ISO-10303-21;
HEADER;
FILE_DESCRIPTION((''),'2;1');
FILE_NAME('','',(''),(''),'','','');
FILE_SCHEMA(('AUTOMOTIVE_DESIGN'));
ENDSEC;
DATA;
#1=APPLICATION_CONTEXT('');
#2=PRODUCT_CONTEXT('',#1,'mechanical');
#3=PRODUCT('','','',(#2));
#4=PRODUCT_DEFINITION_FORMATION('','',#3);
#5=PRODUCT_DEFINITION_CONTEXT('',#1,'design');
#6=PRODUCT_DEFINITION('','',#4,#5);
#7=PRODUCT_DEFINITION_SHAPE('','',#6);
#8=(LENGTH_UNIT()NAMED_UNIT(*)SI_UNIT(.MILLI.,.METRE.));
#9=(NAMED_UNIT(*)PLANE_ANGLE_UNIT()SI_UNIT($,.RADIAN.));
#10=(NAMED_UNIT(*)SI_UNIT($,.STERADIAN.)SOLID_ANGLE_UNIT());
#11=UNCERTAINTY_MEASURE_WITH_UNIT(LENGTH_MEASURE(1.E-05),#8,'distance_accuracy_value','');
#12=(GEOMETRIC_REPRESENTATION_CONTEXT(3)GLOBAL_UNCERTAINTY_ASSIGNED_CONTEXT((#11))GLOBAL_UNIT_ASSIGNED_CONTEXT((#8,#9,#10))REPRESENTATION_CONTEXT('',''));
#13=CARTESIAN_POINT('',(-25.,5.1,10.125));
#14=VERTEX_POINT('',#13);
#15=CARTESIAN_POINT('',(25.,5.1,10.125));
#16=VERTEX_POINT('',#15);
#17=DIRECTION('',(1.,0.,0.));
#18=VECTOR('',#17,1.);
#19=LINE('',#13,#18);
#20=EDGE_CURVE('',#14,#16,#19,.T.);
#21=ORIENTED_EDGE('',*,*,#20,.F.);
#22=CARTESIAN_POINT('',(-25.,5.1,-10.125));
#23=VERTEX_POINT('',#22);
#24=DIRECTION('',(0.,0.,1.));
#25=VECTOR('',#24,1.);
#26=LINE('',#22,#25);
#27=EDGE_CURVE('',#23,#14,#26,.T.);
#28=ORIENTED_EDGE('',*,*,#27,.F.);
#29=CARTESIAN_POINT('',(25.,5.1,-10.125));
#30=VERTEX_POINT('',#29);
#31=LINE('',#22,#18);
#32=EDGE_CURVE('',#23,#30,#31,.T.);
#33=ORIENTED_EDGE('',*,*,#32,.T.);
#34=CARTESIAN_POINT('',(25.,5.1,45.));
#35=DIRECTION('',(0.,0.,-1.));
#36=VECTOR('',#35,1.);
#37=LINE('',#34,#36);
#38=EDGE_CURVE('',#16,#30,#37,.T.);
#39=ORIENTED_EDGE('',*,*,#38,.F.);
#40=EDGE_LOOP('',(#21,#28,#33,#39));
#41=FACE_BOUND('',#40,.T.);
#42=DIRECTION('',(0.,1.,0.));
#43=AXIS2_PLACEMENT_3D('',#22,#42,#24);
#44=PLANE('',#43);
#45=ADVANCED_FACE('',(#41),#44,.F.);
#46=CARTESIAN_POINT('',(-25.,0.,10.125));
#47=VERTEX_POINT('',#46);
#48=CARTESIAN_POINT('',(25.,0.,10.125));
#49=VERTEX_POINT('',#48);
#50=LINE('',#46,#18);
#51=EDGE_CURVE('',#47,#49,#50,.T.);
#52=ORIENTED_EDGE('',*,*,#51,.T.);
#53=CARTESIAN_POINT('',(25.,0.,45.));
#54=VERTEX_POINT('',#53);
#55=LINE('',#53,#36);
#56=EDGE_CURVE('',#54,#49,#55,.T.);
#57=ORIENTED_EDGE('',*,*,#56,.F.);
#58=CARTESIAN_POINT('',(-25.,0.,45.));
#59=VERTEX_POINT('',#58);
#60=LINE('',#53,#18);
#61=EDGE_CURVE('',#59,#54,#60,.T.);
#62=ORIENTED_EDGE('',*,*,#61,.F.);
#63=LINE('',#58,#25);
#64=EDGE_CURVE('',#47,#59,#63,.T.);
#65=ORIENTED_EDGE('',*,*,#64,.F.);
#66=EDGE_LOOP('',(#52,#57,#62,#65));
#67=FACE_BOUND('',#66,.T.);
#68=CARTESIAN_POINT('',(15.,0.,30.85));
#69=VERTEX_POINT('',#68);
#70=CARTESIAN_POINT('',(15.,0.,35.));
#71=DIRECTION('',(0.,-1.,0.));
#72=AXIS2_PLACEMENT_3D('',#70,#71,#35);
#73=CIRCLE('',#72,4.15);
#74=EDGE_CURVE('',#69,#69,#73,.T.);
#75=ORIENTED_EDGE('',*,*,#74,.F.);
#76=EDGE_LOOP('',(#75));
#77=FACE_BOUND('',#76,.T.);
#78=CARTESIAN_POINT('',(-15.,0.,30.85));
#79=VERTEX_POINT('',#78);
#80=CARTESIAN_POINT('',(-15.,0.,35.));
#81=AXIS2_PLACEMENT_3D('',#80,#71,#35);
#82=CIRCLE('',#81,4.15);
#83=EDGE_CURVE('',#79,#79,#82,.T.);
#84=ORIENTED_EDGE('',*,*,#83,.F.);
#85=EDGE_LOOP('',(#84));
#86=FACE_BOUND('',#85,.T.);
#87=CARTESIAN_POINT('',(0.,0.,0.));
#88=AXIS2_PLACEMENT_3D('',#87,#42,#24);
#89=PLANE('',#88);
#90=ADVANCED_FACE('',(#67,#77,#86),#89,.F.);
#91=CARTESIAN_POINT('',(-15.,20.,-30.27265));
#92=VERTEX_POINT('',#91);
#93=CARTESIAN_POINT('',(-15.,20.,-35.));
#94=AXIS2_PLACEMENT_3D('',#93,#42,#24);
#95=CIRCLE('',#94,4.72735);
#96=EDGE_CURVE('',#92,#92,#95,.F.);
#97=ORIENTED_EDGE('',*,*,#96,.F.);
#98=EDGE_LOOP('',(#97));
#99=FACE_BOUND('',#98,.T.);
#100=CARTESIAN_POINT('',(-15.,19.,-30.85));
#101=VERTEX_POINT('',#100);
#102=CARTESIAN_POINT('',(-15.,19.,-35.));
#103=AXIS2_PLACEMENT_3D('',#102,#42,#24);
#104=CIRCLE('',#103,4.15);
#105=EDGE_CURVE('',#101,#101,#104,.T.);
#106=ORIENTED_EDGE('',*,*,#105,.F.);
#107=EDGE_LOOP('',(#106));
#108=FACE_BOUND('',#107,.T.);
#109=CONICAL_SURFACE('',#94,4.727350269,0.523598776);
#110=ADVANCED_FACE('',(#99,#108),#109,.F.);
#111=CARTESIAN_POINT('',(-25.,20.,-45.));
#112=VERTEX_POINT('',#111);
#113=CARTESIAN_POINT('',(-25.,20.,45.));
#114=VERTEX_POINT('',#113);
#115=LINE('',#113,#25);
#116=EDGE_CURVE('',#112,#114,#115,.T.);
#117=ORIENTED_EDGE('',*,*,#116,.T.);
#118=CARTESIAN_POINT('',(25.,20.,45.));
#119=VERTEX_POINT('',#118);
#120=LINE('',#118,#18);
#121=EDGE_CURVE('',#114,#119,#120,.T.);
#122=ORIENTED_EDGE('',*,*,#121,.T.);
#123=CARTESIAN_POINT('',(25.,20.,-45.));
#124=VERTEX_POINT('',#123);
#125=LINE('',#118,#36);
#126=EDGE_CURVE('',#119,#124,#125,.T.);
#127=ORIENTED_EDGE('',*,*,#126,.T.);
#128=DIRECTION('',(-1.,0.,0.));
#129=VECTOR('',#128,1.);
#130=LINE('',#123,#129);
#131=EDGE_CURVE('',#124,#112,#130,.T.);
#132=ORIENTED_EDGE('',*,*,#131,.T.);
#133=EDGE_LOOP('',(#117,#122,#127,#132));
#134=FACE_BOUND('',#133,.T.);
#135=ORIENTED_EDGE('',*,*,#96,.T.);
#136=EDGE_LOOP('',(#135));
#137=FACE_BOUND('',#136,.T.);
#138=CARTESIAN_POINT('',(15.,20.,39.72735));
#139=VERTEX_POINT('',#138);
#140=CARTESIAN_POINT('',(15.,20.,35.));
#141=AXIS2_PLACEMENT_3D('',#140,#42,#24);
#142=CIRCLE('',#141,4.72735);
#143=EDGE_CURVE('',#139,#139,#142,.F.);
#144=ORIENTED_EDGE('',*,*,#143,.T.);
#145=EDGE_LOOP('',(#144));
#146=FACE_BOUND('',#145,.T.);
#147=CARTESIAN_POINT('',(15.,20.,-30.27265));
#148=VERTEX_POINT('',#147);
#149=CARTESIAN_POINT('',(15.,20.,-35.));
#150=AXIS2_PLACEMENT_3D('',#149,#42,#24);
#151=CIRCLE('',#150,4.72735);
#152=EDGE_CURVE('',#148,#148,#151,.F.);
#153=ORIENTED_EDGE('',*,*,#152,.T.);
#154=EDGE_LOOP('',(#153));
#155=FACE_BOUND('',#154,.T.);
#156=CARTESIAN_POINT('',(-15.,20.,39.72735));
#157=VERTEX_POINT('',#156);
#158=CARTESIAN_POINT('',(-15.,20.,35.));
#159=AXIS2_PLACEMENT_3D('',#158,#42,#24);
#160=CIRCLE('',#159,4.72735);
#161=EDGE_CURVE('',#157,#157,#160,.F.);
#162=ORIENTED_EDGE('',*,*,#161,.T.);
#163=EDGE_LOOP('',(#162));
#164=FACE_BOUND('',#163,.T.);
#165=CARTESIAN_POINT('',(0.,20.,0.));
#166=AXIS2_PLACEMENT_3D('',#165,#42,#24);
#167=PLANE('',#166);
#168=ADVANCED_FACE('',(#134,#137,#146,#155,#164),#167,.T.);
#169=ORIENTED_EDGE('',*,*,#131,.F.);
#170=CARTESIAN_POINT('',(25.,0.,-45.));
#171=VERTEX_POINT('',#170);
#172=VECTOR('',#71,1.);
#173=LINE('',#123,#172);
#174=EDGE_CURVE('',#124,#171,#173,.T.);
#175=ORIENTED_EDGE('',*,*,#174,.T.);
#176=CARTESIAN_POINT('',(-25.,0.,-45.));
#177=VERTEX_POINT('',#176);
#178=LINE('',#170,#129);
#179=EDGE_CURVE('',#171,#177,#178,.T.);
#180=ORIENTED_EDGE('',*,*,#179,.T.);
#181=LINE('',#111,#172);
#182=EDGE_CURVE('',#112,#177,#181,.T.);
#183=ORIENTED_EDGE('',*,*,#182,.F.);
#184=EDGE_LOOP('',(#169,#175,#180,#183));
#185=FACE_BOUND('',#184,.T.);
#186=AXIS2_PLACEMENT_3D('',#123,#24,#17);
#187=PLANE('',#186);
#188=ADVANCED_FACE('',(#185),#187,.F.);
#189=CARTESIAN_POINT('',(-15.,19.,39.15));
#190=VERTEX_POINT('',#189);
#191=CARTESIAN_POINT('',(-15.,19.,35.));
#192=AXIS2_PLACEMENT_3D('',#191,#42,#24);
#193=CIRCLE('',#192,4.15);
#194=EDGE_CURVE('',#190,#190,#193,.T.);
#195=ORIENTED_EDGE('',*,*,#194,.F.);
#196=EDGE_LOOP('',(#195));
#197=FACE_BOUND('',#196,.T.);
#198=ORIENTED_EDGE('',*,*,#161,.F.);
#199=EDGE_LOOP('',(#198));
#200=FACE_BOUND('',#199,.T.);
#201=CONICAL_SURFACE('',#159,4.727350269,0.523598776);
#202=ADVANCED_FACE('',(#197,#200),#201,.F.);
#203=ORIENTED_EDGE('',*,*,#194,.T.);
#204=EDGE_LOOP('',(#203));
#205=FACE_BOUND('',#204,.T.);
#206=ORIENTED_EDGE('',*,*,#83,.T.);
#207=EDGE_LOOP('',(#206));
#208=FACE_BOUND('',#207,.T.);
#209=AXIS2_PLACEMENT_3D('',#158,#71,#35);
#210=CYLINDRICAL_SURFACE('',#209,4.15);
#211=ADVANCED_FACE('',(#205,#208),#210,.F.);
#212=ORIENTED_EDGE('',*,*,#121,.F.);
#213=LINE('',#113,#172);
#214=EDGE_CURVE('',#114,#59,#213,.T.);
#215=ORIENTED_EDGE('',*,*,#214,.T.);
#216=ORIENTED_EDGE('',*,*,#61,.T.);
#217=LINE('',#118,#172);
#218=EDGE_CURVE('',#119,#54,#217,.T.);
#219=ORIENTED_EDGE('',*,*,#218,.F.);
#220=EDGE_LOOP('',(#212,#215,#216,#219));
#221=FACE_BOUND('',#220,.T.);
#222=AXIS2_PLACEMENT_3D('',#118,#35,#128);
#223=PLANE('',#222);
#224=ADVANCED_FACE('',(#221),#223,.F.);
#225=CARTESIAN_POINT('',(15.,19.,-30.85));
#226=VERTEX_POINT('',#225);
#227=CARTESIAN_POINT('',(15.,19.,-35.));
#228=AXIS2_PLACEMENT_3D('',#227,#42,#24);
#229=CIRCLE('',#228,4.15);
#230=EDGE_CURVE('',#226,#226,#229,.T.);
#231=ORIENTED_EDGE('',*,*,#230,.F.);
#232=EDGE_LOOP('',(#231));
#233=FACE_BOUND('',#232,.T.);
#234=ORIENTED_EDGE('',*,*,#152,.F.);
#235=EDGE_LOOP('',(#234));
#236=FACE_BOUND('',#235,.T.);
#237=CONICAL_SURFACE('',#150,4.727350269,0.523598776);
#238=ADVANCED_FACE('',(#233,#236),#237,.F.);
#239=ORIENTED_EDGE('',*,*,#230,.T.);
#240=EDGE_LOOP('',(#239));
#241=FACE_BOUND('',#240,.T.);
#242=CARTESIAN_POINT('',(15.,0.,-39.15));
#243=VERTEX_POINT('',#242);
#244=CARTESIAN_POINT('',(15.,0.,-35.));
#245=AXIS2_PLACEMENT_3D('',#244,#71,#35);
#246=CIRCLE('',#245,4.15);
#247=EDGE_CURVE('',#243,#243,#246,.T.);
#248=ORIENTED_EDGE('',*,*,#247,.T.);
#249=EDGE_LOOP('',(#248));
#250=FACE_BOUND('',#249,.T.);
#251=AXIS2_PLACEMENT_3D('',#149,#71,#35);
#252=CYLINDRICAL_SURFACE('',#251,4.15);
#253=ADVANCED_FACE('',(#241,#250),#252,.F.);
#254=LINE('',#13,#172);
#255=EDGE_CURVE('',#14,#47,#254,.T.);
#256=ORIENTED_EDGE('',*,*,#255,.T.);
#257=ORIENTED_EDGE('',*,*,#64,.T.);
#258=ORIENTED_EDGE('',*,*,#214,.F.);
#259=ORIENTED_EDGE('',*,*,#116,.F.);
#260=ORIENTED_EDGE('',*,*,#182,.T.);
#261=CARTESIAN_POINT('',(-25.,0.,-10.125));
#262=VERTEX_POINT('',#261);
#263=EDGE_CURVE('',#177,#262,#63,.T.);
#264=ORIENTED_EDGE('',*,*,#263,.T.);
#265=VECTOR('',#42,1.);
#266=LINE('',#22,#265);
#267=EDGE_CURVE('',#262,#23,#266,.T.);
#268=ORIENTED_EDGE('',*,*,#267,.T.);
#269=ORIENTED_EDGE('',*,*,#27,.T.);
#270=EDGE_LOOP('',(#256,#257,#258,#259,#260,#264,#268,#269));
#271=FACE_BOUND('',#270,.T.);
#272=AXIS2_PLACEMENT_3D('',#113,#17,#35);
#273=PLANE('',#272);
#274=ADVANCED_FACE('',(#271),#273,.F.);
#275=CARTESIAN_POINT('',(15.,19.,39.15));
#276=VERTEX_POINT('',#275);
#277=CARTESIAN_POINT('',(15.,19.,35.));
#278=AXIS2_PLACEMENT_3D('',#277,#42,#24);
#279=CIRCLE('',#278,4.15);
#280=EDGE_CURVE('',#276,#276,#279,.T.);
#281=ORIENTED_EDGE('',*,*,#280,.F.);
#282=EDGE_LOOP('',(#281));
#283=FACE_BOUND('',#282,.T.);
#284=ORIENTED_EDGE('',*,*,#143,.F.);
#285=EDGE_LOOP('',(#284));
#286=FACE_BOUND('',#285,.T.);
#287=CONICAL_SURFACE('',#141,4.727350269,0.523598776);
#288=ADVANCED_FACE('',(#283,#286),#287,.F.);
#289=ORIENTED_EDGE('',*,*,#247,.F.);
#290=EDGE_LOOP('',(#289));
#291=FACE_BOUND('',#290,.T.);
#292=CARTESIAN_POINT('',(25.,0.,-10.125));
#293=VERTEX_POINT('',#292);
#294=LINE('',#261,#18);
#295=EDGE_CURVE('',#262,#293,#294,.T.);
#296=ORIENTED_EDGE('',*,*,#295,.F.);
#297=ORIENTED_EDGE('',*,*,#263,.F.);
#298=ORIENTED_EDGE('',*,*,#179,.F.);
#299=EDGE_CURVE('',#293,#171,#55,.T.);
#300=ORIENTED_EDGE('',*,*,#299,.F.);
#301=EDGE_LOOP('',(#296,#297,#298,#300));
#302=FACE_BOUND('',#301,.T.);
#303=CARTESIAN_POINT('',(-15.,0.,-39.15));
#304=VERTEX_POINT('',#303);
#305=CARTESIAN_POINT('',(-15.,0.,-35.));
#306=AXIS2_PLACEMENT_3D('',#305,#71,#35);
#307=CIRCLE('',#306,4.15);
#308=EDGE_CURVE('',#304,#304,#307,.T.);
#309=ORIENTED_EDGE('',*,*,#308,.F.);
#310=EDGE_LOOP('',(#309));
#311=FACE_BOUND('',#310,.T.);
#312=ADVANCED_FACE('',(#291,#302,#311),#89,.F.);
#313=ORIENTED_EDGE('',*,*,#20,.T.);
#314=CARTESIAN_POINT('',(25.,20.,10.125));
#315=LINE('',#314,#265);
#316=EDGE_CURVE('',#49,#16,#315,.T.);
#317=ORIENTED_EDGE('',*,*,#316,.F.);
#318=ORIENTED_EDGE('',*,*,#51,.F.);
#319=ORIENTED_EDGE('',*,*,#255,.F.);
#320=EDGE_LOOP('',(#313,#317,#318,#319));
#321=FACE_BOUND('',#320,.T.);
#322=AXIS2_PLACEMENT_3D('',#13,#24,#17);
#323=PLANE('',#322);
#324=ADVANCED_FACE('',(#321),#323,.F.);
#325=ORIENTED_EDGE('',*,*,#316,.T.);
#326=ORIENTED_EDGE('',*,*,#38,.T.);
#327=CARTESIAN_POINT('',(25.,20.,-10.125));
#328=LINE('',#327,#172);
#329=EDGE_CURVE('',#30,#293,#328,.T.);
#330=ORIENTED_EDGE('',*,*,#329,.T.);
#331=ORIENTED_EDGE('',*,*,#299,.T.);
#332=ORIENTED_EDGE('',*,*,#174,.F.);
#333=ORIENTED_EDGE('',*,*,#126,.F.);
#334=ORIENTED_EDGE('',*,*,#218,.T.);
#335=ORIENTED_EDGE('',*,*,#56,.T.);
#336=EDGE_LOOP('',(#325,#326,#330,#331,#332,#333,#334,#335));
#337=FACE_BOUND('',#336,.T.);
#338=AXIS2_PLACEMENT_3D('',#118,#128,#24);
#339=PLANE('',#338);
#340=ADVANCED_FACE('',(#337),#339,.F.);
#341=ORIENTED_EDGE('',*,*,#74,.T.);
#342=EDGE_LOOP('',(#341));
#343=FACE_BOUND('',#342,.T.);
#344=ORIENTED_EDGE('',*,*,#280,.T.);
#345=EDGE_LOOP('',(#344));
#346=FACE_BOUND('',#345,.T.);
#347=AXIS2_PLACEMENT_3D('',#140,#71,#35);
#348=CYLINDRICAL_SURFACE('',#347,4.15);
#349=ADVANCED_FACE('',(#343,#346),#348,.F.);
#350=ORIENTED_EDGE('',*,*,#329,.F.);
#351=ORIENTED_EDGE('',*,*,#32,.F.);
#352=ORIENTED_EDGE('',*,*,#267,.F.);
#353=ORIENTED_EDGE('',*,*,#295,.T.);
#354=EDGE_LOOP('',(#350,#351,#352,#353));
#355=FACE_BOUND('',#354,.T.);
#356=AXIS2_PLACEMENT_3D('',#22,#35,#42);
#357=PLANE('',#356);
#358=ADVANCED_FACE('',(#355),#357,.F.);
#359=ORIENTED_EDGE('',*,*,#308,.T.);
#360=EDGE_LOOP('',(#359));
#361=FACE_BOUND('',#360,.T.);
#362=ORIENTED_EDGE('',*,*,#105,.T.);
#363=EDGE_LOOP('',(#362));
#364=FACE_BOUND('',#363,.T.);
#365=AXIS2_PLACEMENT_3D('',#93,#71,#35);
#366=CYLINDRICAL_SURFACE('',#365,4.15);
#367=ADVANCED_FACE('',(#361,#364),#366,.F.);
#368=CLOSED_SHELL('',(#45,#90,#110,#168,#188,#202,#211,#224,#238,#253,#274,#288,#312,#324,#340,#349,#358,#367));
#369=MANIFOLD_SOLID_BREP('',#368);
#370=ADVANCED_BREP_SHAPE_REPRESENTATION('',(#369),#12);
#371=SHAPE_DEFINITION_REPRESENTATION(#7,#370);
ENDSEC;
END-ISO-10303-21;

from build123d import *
from OCP.BRepFilletAPI import BRepFilletAPI_MakeChamfer

# Parameters (mm, degrees)
SKETCH1_W               = 50
SKETCH1_H               = 90
BOSS_EXTRUDE1_DEPTH     = 20
CUT_EXTRUDE1_DEPTH      = 71.178344238
CUT_EXTRUDE1_DEPTH_BACK = 71.178344238
SKETCH2_W               = 20.25
SKETCH2_H               = 5.1
SKETCH3_R               = 4.15
CUT_EXTRUDE2_DEPTH      = 56.226805086
CHAMFER1_SIZE           = 1
CHAMFER1_SIZE2          = 0.577350269


with BuildPart() as part:
    # Sketch1 → Boss-Extrude1 (new body)
    with BuildSketch(Plane(origin=(0, 0, 0), x_dir=(1, 0, 0), z_dir=(0, 1, 0))):
        Rectangle(SKETCH1_W, SKETCH1_H)
    extrude(amount=BOSS_EXTRUDE1_DEPTH)

    # Sketch2 → Cut-Extrude1 (cut, two sides: drawn at the far end of the back side and taken through both)
    with BuildSketch(Plane(origin=(25, 0, 0), x_dir=(0, 0, -1), z_dir=(1, 0, 0)).offset(-CUT_EXTRUDE1_DEPTH_BACK)):
        with Locations((0, 2.55)):
            Rectangle(SKETCH2_W, SKETCH2_H)
    extrude(amount=CUT_EXTRUDE1_DEPTH + CUT_EXTRUDE1_DEPTH_BACK, mode=Mode.SUBTRACT)

    # Sketch3 → Cut-Extrude2 (cut, through all)
    with BuildSketch(Plane.XZ):
        with Locations(Location((-15, 35, 0), (0, 0, 270))):
            Circle(SKETCH3_R)
        with Locations(Location((-15, -35, 0), (0, 0, 270))):
            Circle(SKETCH3_R)
        with Locations(Location((15, 35, 0), (0, 0, 270))):
            Circle(SKETCH3_R)
        with Locations(Location((15, -35, 0), (0, 0, 270))):
            Circle(SKETCH3_R)
    extrude(amount=-CUT_EXTRUDE2_DEPTH, mode=Mode.SUBTRACT)

    # Chamfer1: one chamfer whose edges measure the first distance from different faces: ONE call of the kernel's chamfer builder (chamfer() names one face for all edges)
    chamfer1_edges_1 = [part.edges().sort_by_distance(p)[0] for p in [
        (-15, 20, 39.15),
    ]]
    chamfer1_side_1 = [part.faces().sort_by_distance(p)[0] for p in [
        (-15, 10, 39.15),
    ]]
    chamfer1_edges_2 = [part.edges().sort_by_distance(p)[0] for p in [
        (15, 20, 39.15),
    ]]
    chamfer1_side_2 = [part.faces().sort_by_distance(p)[0] for p in [
        (15, 10, 39.15),
    ]]
    chamfer1_edges_3 = [part.edges().sort_by_distance(p)[0] for p in [
        (15, 20, -30.85),
    ]]
    chamfer1_side_3 = [part.faces().sort_by_distance(p)[0] for p in [
        (15, 10, -30.85),
    ]]
    chamfer1_edges_4 = [part.edges().sort_by_distance(p)[0] for p in [
        (-15, 20, -30.85),
    ]]
    chamfer1_side_4 = [part.faces().sort_by_distance(p)[0] for p in [
        (-15, 10, -30.85),
    ]]
    chamfer1 = BRepFilletAPI_MakeChamfer(part.part.solid().wrapped)
    for e in chamfer1_edges_1:
        chamfer1.Add(CHAMFER1_SIZE, CHAMFER1_SIZE2, e.wrapped, chamfer1_side_1[0].wrapped)  # the first distance lies on this face
    for e in chamfer1_edges_2:
        chamfer1.Add(CHAMFER1_SIZE, CHAMFER1_SIZE2, e.wrapped, chamfer1_side_2[0].wrapped)  # the first distance lies on this face
    for e in chamfer1_edges_3:
        chamfer1.Add(CHAMFER1_SIZE, CHAMFER1_SIZE2, e.wrapped, chamfer1_side_3[0].wrapped)  # the first distance lies on this face
    for e in chamfer1_edges_4:
        chamfer1.Add(CHAMFER1_SIZE, CHAMFER1_SIZE2, e.wrapped, chamfer1_side_4[0].wrapped)  # the first distance lies on this face
    add(Compound.cast(chamfer1.Shape()), mode=Mode.REPLACE)


solid = part.part
